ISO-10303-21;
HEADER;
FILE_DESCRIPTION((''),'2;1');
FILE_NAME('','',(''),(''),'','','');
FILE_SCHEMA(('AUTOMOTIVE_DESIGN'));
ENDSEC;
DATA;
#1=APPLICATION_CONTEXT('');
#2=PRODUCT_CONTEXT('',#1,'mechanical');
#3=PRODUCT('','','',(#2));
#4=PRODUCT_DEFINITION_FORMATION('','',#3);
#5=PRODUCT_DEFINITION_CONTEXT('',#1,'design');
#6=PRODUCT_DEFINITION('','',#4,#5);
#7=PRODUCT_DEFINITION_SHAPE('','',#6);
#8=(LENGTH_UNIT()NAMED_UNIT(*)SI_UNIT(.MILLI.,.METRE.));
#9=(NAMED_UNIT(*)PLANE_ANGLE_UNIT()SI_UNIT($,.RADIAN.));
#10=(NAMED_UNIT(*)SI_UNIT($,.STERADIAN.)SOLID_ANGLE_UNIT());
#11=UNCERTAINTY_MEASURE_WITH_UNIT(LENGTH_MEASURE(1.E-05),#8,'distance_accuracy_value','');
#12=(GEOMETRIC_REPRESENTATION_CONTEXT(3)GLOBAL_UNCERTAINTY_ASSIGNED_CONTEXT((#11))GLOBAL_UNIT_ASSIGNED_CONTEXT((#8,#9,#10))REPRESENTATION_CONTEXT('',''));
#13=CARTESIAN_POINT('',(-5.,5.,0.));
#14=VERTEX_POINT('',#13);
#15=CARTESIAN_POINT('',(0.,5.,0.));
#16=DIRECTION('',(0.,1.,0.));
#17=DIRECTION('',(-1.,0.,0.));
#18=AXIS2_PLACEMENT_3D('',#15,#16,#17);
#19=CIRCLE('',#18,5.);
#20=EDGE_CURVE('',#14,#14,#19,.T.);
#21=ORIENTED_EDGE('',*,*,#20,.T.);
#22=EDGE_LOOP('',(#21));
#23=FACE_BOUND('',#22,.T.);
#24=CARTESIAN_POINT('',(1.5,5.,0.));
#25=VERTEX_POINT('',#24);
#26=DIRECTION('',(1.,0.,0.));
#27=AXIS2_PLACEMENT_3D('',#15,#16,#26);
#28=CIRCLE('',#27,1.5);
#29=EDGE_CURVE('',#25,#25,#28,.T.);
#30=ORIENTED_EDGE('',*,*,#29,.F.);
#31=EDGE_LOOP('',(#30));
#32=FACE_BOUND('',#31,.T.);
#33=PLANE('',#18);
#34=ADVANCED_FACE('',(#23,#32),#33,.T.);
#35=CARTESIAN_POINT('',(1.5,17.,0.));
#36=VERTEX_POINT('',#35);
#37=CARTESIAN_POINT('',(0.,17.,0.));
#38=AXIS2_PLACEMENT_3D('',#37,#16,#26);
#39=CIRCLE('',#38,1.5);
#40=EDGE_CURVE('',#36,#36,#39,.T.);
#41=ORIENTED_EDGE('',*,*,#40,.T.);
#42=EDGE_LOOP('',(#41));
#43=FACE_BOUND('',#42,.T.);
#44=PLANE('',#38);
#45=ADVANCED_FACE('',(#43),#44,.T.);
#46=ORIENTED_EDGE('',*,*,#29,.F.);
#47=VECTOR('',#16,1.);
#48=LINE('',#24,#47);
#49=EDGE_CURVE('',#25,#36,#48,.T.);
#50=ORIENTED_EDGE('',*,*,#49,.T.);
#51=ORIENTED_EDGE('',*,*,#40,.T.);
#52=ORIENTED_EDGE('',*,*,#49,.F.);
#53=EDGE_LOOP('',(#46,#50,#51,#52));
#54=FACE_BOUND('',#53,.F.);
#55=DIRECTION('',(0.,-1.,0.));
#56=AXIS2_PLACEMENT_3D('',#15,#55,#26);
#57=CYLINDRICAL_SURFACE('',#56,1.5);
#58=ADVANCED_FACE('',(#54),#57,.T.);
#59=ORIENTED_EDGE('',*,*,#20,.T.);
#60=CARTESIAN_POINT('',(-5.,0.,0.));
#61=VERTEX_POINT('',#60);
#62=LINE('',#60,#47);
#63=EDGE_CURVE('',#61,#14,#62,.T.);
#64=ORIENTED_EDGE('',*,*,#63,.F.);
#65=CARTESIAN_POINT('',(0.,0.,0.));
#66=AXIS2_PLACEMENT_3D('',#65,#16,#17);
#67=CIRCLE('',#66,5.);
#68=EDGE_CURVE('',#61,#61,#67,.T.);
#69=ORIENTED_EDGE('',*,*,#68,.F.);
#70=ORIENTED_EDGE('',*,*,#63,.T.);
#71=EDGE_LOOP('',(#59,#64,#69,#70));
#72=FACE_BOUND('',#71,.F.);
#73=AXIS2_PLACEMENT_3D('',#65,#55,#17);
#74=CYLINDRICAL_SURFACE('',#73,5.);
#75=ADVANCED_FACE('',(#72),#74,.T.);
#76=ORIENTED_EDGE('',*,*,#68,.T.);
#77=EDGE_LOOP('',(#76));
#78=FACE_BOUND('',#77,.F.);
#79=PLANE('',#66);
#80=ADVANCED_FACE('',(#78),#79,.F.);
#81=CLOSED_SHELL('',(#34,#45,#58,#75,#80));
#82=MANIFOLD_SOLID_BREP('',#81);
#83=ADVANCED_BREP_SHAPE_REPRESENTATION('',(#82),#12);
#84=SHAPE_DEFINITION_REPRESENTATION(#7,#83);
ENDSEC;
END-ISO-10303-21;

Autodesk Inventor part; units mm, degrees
ref_plane "YZ Plane" through (0, 0, 0) normal (1, 0, 0) x (0, 1, 0)
ref_plane "XZ Plane" through (0, 0, 0) normal (0, 1, 0) x (-1, 0, 0)
ref_plane "XY Plane" through (0, 0, 0) normal (0, 0, 1) x (1, 0, 0)
sketch "Skizze1" plane through (0, 0, 0) normal (0, 1, 0) x (-1, 0, 0)
  circle A0 centre (0, 0) radius 5
  dimension "d0" = 10
extrude "Extrusion1" add sketch "Skizze1" along normal blind 5
sketch "Skizze2" plane through (0, 5, 0) normal (0, 1, 0) x (1, 0, 0)
  circle A0 centre (0, 0) radius 1.5
  dimension "d3" = 3
extrude "Extrusion2" add sketch "Skizze2" along normal blind 12
properties part number "federzylinder"
